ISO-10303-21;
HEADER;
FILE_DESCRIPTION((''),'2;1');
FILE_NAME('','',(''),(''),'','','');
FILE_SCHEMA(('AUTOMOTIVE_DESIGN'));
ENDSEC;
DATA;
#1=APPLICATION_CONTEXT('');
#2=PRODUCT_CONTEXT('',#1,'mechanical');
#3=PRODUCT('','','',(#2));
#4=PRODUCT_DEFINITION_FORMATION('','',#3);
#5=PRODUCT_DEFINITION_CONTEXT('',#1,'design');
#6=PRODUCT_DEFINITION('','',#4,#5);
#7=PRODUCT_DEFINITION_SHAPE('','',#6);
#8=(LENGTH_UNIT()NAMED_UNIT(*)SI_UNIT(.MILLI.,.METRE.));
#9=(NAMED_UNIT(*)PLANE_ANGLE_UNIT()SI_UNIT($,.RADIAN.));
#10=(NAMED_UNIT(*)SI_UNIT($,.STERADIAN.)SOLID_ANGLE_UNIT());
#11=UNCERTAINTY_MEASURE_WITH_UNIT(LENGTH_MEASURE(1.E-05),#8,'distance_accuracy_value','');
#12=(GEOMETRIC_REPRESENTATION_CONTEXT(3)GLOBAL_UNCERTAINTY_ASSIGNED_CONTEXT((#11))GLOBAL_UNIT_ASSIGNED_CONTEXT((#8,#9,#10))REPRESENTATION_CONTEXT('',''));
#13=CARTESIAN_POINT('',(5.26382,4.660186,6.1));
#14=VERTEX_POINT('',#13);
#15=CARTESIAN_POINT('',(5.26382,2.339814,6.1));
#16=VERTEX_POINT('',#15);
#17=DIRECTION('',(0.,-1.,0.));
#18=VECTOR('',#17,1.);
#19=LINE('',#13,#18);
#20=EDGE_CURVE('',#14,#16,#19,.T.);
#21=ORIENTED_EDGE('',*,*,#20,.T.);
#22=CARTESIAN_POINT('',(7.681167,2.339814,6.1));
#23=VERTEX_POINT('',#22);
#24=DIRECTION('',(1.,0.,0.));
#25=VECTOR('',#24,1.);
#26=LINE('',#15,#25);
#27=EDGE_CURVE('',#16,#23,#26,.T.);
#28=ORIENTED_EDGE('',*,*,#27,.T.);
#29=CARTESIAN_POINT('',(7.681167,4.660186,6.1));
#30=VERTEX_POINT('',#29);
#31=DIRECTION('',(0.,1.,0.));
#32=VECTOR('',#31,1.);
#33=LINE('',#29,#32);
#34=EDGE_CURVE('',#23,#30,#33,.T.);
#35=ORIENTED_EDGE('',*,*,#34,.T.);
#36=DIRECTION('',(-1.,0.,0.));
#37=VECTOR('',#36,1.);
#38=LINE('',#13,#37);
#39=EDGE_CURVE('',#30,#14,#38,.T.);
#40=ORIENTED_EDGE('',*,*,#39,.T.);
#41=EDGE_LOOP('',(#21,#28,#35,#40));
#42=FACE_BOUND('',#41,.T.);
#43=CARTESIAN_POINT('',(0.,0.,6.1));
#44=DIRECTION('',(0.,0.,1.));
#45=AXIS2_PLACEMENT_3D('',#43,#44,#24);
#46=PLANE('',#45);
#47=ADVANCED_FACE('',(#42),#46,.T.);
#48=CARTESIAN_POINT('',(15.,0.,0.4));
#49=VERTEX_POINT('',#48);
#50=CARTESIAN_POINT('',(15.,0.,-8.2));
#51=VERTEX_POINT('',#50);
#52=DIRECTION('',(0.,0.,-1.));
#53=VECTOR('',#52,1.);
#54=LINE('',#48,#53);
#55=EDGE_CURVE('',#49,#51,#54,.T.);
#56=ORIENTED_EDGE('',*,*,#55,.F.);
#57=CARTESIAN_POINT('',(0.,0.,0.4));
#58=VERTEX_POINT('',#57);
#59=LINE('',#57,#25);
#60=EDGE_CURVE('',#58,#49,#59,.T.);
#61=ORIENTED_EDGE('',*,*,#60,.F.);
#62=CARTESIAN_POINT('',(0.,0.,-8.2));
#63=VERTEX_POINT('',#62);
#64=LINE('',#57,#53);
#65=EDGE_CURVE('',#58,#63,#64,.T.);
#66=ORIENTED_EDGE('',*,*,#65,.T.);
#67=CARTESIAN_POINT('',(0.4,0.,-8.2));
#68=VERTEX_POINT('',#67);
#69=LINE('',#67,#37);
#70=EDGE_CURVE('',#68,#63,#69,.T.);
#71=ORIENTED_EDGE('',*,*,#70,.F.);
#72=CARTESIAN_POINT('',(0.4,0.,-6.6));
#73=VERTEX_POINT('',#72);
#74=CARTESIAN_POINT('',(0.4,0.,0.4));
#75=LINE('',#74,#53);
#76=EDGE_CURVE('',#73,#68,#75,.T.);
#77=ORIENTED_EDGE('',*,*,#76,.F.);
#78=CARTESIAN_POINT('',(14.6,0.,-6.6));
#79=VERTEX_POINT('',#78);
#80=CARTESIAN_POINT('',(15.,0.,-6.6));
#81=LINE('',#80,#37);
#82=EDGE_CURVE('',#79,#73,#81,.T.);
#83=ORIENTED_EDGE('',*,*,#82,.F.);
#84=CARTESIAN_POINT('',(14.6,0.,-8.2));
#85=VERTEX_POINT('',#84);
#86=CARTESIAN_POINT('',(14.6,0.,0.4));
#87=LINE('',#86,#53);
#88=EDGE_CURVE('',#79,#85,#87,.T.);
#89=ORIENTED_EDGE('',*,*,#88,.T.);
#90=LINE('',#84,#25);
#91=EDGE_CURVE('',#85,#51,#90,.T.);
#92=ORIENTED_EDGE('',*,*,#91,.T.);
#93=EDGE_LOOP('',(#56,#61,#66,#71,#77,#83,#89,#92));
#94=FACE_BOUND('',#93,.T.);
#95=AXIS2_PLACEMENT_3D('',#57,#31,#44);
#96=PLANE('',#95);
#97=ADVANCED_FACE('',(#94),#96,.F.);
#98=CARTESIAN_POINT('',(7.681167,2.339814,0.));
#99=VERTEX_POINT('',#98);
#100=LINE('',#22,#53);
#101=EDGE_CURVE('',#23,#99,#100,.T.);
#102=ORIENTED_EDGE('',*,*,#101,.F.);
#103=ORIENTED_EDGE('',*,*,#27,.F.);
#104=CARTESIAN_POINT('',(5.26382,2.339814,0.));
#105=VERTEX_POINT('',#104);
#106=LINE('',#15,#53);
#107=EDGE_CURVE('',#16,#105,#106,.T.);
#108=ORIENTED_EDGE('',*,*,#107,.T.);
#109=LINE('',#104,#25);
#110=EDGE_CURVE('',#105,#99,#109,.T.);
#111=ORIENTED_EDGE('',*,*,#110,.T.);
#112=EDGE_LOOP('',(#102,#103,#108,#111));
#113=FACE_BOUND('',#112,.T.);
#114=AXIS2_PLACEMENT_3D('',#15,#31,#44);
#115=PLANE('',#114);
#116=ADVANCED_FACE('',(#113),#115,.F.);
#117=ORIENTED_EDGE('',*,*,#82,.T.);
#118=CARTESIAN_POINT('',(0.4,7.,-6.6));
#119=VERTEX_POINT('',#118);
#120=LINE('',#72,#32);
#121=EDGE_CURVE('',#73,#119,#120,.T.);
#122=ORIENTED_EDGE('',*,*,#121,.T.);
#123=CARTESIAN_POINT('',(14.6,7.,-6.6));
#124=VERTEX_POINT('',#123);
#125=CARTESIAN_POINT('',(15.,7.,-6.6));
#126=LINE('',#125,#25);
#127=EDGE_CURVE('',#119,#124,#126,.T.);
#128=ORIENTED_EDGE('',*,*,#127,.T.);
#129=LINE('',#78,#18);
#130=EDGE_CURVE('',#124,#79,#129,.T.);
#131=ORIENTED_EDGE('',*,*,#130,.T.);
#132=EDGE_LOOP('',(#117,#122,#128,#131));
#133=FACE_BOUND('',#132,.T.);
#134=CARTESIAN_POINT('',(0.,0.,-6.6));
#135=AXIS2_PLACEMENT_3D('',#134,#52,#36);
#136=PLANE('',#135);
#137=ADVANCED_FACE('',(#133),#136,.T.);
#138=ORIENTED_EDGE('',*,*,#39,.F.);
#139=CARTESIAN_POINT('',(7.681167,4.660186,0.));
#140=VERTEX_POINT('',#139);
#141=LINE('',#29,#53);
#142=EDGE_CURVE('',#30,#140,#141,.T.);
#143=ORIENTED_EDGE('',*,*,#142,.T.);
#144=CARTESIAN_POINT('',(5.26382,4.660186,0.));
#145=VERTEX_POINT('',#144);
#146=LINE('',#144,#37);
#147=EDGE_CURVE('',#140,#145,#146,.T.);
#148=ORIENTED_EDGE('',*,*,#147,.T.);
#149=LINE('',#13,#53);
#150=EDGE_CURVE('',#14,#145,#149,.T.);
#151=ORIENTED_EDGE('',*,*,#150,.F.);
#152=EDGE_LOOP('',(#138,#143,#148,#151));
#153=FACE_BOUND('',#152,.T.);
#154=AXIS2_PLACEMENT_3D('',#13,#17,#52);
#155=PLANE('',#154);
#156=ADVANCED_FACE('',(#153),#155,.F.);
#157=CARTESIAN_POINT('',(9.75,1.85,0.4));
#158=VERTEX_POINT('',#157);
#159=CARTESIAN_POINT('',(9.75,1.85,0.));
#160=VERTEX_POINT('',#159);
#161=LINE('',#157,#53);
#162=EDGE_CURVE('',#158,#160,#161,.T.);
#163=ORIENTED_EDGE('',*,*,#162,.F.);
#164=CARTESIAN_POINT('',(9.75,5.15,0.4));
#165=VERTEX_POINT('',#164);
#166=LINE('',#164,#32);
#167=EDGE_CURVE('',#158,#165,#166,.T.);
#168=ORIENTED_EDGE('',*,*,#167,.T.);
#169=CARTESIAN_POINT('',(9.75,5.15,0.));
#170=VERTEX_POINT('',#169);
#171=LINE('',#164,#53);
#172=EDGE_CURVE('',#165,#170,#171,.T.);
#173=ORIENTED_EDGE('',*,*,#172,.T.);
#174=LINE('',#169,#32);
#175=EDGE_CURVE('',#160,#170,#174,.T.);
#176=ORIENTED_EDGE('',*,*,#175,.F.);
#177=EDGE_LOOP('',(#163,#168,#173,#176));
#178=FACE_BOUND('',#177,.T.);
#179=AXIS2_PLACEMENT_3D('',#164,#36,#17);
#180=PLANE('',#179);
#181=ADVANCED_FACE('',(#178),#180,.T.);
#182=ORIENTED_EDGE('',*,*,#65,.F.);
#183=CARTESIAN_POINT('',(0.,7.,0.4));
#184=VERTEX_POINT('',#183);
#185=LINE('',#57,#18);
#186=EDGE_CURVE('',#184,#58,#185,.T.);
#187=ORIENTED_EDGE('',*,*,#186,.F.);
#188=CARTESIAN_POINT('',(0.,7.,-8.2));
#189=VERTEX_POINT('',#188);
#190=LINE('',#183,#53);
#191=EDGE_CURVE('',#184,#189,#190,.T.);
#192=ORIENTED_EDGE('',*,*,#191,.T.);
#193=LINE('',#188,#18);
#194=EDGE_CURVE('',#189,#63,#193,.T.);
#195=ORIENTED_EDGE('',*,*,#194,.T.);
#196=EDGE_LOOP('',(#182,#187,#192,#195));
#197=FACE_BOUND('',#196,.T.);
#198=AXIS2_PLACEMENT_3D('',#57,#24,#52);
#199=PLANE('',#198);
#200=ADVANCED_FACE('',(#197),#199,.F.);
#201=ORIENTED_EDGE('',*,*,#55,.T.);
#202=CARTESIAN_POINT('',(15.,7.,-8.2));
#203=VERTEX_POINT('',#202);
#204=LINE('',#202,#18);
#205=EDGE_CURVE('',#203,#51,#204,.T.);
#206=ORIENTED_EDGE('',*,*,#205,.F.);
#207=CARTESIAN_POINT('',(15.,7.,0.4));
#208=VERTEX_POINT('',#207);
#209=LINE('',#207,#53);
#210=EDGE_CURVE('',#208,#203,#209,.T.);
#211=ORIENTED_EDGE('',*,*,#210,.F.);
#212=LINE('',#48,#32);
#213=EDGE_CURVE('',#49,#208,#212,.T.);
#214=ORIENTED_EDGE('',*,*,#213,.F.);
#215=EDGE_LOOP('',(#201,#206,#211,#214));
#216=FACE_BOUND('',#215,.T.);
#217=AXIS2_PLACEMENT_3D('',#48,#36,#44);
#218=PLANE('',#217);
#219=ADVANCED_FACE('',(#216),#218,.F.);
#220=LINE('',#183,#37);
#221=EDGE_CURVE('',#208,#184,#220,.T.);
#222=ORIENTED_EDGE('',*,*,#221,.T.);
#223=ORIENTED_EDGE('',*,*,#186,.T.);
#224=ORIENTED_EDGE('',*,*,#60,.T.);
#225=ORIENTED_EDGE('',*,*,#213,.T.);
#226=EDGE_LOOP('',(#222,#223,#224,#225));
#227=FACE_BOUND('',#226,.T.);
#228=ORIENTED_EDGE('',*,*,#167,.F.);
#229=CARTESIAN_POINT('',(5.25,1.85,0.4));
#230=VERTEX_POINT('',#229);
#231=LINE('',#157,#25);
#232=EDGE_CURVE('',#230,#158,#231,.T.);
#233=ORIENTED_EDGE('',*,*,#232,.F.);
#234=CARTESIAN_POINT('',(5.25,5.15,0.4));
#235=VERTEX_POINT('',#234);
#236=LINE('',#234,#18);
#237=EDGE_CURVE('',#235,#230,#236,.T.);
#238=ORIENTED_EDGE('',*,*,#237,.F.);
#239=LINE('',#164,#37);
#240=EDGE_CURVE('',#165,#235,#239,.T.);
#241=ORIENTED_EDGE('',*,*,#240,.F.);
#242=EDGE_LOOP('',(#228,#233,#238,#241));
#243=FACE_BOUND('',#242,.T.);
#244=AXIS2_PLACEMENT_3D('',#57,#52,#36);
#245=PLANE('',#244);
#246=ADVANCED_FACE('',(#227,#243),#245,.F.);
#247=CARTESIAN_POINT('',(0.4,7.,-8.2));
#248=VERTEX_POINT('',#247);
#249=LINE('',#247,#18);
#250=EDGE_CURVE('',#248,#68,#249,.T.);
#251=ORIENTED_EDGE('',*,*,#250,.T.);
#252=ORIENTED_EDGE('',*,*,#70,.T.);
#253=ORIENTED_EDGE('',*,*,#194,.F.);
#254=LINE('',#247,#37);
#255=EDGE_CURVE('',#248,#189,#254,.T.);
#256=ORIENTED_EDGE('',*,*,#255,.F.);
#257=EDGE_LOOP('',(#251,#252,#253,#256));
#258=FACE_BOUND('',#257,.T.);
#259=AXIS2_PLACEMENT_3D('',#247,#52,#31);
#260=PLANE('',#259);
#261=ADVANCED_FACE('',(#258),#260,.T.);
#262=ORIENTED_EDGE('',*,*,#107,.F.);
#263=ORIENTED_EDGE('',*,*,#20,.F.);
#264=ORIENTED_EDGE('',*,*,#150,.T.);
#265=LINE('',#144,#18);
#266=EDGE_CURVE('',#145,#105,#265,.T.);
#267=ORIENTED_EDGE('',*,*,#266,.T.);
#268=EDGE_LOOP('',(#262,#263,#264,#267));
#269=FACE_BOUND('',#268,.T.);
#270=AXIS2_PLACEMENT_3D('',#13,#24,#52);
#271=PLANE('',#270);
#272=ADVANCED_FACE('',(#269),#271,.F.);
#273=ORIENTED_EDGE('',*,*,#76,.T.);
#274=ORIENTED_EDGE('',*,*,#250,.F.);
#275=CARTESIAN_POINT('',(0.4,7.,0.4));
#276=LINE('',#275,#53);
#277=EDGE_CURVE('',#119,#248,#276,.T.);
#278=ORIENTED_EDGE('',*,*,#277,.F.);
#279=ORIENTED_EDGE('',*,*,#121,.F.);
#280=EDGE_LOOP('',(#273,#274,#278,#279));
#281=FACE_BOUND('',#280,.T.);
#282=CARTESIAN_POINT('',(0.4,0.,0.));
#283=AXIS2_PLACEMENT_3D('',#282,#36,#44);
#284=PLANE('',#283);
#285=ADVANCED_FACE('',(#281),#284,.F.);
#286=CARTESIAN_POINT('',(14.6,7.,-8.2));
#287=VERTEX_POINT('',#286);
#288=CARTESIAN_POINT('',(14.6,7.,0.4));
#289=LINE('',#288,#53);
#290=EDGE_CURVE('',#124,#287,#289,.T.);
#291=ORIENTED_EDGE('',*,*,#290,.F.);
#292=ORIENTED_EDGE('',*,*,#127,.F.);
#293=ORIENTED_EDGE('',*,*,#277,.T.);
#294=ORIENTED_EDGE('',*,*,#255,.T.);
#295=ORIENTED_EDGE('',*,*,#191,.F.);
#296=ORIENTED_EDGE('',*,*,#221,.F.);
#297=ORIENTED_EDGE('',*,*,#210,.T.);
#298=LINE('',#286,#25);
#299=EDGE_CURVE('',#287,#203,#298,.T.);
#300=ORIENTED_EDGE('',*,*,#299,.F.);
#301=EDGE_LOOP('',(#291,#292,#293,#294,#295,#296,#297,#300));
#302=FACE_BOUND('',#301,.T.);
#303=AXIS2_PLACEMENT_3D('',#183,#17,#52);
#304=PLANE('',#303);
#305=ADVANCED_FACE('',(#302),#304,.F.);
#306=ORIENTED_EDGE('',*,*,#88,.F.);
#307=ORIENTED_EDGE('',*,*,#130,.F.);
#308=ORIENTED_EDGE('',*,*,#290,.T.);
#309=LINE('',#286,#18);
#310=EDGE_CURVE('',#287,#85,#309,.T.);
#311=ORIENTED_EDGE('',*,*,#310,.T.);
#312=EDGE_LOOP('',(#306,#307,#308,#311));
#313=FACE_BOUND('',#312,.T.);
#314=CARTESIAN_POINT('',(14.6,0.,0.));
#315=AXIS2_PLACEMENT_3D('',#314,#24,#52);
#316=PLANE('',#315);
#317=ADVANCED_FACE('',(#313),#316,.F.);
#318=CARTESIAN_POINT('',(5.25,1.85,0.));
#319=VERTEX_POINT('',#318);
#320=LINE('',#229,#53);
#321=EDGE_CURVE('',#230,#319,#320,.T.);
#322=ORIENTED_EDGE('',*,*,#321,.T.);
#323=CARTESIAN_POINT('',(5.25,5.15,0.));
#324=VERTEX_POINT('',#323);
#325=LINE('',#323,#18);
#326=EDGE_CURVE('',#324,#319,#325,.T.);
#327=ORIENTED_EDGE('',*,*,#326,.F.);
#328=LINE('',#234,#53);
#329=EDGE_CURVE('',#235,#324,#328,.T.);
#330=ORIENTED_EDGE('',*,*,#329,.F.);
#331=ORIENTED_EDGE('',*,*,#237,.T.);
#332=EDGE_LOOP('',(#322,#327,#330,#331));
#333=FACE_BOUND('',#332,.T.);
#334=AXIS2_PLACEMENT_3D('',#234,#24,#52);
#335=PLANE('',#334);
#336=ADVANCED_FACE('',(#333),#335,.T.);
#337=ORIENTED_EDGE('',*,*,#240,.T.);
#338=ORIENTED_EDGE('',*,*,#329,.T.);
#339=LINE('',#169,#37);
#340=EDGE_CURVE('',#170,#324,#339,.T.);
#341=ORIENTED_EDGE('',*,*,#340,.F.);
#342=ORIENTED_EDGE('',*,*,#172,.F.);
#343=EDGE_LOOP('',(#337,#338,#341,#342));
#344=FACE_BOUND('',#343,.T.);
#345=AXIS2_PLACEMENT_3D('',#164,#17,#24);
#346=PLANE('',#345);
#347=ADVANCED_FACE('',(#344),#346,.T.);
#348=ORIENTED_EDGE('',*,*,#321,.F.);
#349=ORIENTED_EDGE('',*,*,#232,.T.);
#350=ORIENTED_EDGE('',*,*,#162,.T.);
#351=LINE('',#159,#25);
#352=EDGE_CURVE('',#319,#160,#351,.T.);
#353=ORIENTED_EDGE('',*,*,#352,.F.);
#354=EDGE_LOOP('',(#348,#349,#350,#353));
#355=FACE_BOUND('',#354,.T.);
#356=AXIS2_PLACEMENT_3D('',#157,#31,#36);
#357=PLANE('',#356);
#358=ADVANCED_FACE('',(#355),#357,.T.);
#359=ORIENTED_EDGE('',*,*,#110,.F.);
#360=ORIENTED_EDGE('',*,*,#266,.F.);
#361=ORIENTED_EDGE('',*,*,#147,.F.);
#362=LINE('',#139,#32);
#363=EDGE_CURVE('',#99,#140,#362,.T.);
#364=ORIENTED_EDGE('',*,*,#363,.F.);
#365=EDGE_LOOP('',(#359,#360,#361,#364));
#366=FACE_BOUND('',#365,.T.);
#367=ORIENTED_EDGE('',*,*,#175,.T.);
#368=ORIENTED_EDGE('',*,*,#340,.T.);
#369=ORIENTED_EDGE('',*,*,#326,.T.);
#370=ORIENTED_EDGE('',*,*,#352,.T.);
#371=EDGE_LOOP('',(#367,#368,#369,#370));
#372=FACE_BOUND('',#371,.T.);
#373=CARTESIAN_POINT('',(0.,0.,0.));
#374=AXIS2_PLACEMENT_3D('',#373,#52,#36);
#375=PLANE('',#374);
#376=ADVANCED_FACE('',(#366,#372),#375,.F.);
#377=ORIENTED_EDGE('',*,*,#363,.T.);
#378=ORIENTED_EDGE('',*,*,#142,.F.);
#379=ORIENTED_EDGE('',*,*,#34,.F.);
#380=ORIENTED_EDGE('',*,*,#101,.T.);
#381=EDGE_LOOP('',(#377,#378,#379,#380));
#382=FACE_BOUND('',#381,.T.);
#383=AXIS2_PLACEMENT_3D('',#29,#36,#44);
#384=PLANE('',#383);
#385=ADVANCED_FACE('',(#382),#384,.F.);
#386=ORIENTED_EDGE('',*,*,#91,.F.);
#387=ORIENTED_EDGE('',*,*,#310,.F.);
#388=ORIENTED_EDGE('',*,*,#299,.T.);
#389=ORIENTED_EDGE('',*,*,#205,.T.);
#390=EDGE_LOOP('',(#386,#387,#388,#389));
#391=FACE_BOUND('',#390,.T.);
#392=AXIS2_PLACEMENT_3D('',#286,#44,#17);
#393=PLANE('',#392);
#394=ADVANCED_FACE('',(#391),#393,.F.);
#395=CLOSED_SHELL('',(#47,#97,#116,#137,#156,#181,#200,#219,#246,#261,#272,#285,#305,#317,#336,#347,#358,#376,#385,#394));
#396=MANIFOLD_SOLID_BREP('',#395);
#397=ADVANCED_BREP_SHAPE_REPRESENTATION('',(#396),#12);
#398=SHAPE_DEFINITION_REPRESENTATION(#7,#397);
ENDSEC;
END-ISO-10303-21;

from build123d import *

# Parameters (mm, degrees)
SKETCH_1_W      = 15
SKETCH_1_H      = 7
SKETCH_1_W_2    = 4.5
SKETCH_1_H_2    = 3.3
EXTRUDE_1_DEPTH = 0.4
SKETCH_2_W      = 15
SKETCH_2_H      = 7
EXTRUDE_2_DEPTH = 6.6
SKETCH_3_W      = 8.6
SKETCH_3_H      = 7
EXTRUDE_3_DEPTH = 0.4
SKETCH_4_W      = 8.6
SKETCH_4_H      = 7
EXTRUDE_4_DEPTH = 0.4
SKETCH_5_W      = 2.417347104
SKETCH_5_H      = 2.320372832
EXTRUDE_5_DEPTH = 6.1


with BuildPart() as part:
    # Эскиз1 → Бобышка-Вытянуть1 (new body)
    with BuildSketch(Plane.XY):
        with Locations((7.5, 3.5)):
            Rectangle(SKETCH_1_W, SKETCH_1_H)
        with Locations((7.5, 3.5)):
            Rectangle(SKETCH_1_W_2, SKETCH_1_H_2, mode=Mode.SUBTRACT)
    extrude(amount=EXTRUDE_1_DEPTH)

    # Эскиз2 → Бобышка-Вытянуть2 (add)
    with BuildSketch(Plane(origin=(0, 0, 0), x_dir=(-1, 0, 0), z_dir=(0, 0, -1))):
        with Locations((-7.5, 3.5)):
            Rectangle(SKETCH_2_W, SKETCH_2_H)
    extrude(amount=EXTRUDE_2_DEPTH)

    # Эскиз3 → Бобышка-Вытянуть3 (add)
    with BuildSketch(Plane(origin=(15, 0, 0), x_dir=(0, 0, -1), z_dir=(1, 0, 0))):
        with Locations((3.9, 3.5)):
            Rectangle(SKETCH_3_W, SKETCH_3_H)
    extrude(amount=-EXTRUDE_3_DEPTH)

    # Эскиз4 → Бобышка-Вытянуть4 (add)
    with BuildSketch(Plane.ZY):
        with Locations((-3.9, 3.5)):
            Rectangle(SKETCH_4_W, SKETCH_4_H)
    extrude(amount=-EXTRUDE_4_DEPTH)

    # Эскиз5 → Бобышка-Вытянуть5 (add)
    with BuildSketch(Plane.XY):
        with Locations((6.472493098, 3.5)):
            Rectangle(SKETCH_5_W, SKETCH_5_H)
    extrude(amount=EXTRUDE_5_DEPTH)


solid = part.part
